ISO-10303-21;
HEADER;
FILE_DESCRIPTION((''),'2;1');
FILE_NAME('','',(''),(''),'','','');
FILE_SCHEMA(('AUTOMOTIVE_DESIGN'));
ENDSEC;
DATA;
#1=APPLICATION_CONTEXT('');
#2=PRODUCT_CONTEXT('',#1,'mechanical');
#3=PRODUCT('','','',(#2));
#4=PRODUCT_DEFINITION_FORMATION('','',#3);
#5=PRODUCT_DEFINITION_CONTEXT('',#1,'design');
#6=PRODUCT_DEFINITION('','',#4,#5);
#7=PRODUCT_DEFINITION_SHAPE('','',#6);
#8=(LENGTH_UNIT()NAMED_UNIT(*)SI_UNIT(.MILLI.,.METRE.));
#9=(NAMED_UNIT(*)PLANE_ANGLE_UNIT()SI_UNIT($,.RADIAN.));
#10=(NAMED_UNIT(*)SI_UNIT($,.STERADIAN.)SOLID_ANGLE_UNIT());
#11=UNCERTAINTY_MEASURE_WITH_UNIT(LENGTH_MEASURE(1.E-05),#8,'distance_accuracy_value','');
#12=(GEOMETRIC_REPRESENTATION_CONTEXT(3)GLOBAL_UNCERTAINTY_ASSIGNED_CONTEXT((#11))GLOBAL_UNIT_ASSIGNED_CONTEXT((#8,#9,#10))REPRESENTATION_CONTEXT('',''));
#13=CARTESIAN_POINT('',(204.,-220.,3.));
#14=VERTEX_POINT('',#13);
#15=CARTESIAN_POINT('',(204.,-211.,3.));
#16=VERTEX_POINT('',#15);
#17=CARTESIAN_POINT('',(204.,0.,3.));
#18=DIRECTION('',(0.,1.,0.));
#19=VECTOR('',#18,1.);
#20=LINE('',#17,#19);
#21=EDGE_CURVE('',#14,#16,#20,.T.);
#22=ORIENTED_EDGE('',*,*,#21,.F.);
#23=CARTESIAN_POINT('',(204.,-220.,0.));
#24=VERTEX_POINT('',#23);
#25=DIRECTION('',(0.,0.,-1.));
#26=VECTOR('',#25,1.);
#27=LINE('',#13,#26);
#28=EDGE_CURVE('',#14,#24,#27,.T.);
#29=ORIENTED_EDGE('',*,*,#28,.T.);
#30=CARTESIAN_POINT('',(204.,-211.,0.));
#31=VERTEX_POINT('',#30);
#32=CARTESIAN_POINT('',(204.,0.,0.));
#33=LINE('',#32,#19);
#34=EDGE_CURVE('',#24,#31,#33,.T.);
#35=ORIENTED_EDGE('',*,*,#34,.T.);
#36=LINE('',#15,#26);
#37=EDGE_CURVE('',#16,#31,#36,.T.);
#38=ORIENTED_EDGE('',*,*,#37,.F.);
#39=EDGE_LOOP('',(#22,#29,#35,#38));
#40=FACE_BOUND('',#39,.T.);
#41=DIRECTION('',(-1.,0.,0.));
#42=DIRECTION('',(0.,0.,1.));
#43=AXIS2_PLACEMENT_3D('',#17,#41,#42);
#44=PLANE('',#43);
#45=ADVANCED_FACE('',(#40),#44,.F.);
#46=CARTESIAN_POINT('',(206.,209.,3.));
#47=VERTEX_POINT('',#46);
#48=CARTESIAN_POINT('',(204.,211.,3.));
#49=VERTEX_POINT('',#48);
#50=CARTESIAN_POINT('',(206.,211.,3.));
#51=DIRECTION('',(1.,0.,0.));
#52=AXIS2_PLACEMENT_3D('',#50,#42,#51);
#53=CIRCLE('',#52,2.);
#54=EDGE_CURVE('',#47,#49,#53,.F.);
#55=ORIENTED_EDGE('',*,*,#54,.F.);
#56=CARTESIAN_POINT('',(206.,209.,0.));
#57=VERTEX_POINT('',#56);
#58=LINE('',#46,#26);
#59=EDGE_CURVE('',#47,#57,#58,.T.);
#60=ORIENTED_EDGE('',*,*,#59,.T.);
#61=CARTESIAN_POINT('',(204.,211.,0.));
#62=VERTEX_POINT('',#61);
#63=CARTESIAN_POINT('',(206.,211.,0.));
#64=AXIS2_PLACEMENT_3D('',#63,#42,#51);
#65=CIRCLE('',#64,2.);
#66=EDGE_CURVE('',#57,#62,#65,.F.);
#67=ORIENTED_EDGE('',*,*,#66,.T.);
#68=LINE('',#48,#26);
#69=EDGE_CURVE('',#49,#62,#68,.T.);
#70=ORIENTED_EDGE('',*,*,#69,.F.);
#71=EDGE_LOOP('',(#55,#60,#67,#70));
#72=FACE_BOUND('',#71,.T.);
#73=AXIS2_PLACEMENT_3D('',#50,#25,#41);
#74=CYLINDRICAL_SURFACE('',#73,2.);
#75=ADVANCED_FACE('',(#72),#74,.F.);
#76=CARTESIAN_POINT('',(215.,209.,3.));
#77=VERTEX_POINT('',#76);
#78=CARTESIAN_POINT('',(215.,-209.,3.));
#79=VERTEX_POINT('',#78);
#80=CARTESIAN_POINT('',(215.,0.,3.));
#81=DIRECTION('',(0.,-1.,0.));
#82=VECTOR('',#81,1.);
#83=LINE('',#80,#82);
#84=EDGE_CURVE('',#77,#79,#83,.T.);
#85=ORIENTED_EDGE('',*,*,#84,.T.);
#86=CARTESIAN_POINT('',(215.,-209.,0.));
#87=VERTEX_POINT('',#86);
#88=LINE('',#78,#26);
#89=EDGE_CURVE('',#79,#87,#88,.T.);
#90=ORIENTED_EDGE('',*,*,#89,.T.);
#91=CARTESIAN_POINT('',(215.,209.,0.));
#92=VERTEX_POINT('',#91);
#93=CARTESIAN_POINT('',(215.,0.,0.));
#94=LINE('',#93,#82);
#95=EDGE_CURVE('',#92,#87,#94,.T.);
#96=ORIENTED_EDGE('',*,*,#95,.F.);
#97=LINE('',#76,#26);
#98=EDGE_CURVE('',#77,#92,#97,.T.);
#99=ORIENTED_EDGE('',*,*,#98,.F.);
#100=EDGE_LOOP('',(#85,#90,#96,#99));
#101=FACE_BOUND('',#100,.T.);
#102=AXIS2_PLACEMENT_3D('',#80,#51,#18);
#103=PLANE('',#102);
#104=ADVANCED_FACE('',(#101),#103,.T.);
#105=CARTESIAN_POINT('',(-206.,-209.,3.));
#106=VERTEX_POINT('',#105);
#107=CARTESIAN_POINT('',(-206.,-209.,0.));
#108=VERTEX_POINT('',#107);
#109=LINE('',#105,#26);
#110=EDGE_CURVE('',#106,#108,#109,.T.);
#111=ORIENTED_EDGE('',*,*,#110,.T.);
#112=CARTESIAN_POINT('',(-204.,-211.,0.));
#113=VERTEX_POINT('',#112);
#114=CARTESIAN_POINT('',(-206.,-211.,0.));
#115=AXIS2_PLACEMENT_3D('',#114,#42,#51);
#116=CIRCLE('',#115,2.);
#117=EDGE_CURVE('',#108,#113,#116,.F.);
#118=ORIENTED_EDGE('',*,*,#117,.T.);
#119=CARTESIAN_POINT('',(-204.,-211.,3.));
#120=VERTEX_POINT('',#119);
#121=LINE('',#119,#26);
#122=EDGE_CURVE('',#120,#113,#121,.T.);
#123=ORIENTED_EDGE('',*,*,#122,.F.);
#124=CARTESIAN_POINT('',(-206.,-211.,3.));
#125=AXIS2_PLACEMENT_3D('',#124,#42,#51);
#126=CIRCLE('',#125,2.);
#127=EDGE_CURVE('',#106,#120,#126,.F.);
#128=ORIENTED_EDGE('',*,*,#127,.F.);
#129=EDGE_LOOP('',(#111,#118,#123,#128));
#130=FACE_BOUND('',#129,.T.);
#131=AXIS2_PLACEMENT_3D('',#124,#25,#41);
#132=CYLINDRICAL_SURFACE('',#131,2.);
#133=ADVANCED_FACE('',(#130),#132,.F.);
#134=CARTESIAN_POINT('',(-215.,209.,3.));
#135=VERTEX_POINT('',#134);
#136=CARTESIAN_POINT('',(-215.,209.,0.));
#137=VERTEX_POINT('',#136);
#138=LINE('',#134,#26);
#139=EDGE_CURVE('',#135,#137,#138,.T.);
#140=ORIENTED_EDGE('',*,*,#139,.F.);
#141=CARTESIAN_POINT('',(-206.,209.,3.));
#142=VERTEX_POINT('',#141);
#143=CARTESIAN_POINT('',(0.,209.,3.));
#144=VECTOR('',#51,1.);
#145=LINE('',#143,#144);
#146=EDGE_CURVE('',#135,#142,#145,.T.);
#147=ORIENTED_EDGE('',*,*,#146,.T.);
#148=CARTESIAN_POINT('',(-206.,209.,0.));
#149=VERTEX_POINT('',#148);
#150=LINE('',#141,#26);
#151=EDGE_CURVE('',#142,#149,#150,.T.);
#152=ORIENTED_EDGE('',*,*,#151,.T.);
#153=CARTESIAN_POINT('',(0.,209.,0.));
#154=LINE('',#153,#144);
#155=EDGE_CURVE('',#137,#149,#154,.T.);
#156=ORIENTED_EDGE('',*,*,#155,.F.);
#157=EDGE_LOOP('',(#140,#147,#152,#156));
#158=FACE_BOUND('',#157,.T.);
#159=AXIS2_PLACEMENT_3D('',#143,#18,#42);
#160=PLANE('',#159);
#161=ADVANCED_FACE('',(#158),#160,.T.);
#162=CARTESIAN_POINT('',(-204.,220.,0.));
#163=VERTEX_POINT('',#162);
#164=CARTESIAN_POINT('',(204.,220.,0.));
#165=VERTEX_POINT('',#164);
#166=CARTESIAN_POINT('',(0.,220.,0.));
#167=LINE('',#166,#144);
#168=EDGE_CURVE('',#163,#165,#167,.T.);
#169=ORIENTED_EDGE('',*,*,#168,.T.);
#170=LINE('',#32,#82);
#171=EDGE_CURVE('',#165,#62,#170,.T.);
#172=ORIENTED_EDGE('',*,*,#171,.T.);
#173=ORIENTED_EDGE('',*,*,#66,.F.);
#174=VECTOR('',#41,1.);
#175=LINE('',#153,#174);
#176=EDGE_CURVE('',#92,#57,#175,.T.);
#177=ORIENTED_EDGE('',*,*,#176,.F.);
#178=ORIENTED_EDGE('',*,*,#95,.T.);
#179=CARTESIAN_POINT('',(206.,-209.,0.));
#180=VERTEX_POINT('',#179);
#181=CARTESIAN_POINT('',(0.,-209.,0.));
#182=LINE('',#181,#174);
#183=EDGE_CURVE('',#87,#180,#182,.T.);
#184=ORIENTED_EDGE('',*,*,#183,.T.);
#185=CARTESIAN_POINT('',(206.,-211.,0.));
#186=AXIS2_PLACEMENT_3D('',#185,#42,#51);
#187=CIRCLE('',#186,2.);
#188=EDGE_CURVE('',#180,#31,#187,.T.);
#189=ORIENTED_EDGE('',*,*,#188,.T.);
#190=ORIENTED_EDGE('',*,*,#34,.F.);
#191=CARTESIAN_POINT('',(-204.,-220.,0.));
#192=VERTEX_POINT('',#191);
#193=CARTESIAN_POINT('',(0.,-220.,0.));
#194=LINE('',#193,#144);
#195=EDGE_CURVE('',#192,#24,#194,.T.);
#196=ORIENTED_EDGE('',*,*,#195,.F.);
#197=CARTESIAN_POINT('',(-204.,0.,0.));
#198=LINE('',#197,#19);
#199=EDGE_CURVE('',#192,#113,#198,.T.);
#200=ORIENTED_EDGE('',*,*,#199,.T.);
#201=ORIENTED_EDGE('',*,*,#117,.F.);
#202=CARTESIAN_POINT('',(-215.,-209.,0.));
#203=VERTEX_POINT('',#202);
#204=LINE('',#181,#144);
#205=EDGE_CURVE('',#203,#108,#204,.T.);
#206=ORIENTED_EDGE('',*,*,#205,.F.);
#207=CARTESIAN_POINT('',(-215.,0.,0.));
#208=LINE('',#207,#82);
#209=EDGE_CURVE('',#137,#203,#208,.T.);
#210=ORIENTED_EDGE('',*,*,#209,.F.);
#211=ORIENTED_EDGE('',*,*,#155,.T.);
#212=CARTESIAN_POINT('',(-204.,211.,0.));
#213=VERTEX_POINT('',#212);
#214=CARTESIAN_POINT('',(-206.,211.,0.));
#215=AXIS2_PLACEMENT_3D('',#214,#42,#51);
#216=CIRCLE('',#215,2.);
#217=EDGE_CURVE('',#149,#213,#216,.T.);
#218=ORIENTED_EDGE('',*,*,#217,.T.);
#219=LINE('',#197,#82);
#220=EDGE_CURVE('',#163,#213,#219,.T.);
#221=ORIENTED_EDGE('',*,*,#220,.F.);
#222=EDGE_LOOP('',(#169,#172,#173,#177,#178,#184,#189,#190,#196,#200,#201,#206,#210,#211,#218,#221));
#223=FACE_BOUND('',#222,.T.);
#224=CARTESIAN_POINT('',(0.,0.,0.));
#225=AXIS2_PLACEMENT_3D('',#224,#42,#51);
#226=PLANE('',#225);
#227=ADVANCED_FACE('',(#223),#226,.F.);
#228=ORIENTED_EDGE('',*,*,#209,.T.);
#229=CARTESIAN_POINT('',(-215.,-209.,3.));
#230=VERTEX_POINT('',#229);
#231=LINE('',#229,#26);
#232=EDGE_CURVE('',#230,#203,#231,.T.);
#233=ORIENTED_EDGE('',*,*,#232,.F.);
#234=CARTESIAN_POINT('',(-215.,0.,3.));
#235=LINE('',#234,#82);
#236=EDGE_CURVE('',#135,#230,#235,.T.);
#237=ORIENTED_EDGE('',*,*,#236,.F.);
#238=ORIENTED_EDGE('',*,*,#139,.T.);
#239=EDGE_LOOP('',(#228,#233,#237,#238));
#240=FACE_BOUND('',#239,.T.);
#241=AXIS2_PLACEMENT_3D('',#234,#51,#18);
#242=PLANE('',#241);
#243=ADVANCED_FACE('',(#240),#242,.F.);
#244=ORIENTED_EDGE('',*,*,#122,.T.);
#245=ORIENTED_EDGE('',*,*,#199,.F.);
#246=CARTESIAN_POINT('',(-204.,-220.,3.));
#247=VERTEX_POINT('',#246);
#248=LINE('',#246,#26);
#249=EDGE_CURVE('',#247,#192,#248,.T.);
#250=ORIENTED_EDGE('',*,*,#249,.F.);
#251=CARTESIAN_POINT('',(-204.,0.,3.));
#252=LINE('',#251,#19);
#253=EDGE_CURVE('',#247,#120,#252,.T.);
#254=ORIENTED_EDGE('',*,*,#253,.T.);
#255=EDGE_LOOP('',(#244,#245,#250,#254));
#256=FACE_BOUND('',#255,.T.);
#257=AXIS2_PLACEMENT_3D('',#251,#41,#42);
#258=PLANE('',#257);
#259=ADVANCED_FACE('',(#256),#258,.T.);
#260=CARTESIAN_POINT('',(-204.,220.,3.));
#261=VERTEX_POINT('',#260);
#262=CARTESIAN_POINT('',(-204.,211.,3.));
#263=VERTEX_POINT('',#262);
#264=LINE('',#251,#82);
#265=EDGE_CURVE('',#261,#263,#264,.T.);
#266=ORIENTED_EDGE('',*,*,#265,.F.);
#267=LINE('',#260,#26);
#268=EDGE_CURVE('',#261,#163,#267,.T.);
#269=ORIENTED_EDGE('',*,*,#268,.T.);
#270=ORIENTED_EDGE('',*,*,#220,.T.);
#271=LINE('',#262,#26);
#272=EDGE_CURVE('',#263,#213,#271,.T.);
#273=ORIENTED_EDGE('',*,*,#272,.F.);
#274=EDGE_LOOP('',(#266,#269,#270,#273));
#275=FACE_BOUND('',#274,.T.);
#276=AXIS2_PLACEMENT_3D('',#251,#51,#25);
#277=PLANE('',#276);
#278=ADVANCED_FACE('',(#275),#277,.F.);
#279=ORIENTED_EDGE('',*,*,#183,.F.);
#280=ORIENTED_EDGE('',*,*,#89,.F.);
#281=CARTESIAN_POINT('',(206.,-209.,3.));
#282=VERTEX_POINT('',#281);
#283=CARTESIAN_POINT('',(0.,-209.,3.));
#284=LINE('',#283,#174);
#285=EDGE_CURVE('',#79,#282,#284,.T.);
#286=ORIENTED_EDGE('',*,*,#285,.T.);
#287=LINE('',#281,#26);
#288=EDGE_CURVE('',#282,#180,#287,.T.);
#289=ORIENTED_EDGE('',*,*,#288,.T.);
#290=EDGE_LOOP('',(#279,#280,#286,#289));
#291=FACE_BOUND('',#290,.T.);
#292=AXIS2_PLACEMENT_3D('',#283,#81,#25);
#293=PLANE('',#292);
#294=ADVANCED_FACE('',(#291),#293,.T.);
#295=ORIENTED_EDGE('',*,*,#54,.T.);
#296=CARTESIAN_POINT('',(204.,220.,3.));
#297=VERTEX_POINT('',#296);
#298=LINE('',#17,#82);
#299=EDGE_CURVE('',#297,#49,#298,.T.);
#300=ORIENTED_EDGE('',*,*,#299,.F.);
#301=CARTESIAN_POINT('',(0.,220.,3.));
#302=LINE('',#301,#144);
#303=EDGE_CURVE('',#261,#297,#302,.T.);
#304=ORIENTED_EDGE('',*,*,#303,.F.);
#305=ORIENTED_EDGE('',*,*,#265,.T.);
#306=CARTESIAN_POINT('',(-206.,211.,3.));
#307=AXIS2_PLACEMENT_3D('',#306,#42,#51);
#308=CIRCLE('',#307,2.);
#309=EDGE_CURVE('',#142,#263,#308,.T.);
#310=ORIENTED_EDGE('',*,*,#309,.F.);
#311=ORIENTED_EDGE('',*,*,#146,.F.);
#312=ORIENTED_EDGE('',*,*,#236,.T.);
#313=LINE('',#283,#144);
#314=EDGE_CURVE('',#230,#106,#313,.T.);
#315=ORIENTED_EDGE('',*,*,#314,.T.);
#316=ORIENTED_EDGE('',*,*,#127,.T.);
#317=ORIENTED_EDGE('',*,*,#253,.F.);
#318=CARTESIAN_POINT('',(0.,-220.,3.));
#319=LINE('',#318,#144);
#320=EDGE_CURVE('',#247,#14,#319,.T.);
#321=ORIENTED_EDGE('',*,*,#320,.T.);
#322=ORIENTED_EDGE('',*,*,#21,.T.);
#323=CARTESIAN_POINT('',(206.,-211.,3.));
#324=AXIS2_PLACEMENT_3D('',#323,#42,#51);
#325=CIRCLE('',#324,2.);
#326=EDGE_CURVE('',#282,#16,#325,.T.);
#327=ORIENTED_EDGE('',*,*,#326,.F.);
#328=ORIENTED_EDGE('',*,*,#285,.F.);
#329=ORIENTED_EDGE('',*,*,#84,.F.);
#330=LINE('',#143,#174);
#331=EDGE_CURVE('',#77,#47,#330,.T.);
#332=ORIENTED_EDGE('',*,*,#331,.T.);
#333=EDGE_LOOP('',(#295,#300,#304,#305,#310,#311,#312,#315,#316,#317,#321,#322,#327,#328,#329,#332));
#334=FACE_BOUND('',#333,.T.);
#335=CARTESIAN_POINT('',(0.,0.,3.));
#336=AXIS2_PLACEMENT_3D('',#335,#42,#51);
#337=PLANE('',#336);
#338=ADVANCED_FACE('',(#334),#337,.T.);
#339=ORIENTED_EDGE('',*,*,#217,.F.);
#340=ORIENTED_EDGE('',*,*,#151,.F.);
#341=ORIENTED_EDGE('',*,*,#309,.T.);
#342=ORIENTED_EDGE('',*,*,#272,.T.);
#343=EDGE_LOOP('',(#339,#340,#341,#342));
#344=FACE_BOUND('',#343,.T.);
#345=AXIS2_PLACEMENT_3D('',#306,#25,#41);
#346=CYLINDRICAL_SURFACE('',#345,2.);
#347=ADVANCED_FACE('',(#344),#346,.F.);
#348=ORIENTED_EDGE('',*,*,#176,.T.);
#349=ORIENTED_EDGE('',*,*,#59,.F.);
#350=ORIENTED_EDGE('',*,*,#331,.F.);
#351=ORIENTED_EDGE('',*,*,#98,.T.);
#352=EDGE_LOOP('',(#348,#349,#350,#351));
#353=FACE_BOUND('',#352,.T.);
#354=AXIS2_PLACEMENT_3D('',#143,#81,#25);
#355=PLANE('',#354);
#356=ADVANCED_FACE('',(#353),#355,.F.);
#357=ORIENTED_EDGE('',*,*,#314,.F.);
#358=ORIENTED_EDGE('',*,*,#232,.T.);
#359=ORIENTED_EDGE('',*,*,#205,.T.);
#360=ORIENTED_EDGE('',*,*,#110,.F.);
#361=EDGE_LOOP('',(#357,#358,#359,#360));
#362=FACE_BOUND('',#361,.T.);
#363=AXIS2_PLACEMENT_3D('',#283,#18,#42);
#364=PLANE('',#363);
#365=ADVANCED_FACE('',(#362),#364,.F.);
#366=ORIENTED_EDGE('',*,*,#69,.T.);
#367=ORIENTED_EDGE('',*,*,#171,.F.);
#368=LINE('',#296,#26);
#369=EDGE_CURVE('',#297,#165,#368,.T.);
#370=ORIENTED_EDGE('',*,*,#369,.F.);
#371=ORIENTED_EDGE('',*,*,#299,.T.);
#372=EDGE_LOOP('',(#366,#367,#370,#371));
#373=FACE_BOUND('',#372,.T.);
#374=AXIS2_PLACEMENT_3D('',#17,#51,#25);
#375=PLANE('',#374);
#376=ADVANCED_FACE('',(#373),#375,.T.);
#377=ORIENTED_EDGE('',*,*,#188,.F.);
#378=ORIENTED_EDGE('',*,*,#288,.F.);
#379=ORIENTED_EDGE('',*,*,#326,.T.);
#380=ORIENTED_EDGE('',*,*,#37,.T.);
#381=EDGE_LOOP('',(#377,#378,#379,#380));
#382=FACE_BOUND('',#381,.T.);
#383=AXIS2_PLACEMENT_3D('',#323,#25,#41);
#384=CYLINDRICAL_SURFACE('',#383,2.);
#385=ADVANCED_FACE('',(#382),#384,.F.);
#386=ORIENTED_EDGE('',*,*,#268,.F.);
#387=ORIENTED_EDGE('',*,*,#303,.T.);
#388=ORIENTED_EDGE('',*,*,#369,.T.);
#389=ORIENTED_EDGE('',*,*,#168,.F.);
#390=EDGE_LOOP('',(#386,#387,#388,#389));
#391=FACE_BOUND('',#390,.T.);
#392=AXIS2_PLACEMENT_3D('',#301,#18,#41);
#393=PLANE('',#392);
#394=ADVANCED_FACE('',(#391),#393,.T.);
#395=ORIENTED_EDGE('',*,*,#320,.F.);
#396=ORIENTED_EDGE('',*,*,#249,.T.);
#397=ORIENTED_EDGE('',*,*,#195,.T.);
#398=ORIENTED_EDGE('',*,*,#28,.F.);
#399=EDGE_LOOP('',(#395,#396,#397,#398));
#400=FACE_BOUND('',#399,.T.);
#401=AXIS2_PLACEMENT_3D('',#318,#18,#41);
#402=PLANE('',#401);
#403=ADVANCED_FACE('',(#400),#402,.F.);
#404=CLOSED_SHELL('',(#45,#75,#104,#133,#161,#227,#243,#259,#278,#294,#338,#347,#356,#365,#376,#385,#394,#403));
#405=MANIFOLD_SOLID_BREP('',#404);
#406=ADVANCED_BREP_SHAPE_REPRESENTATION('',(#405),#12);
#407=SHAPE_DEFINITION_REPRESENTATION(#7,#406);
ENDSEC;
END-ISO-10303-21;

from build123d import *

# Parameters (mm, degrees)
BOSS_EXTRUDE1_DEPTH = 3


with BuildPart() as part:
    # Sketch1 → Boss-Extrude1 (new body)
    with BuildSketch(Plane.XY):
        with BuildLine():
            Line((215, -209), (215, 209))
            Line((215, 209), (206, 209))
            ThreePointArc((206, 209), (204.585786438, 209.585786438), (204, 211))
            Line((204, 211), (204, 220))
            Line((204, 220), (-204, 220))
            Line((-204, 220), (-204, 211))
            ThreePointArc((-204, 211), (-204.585786438, 209.585786438), (-206, 209))
            Line((-206, 209), (-215, 209))
            Line((-215, 209), (-215, -209))
            Line((-215, -209), (-206, -209))
            ThreePointArc((-206, -209), (-204.585786438, -209.585786438), (-204, -211))
            Line((-204, -211), (-204, -220))
            Line((-204, -220), (204, -220))
            Line((204, -220), (204, -211))
            ThreePointArc((204, -211), (204.585786438, -209.585786438), (206, -209))
            Line((206, -209), (215, -209))
        make_face()
    extrude(amount=BOSS_EXTRUDE1_DEPTH)


solid = part.part
